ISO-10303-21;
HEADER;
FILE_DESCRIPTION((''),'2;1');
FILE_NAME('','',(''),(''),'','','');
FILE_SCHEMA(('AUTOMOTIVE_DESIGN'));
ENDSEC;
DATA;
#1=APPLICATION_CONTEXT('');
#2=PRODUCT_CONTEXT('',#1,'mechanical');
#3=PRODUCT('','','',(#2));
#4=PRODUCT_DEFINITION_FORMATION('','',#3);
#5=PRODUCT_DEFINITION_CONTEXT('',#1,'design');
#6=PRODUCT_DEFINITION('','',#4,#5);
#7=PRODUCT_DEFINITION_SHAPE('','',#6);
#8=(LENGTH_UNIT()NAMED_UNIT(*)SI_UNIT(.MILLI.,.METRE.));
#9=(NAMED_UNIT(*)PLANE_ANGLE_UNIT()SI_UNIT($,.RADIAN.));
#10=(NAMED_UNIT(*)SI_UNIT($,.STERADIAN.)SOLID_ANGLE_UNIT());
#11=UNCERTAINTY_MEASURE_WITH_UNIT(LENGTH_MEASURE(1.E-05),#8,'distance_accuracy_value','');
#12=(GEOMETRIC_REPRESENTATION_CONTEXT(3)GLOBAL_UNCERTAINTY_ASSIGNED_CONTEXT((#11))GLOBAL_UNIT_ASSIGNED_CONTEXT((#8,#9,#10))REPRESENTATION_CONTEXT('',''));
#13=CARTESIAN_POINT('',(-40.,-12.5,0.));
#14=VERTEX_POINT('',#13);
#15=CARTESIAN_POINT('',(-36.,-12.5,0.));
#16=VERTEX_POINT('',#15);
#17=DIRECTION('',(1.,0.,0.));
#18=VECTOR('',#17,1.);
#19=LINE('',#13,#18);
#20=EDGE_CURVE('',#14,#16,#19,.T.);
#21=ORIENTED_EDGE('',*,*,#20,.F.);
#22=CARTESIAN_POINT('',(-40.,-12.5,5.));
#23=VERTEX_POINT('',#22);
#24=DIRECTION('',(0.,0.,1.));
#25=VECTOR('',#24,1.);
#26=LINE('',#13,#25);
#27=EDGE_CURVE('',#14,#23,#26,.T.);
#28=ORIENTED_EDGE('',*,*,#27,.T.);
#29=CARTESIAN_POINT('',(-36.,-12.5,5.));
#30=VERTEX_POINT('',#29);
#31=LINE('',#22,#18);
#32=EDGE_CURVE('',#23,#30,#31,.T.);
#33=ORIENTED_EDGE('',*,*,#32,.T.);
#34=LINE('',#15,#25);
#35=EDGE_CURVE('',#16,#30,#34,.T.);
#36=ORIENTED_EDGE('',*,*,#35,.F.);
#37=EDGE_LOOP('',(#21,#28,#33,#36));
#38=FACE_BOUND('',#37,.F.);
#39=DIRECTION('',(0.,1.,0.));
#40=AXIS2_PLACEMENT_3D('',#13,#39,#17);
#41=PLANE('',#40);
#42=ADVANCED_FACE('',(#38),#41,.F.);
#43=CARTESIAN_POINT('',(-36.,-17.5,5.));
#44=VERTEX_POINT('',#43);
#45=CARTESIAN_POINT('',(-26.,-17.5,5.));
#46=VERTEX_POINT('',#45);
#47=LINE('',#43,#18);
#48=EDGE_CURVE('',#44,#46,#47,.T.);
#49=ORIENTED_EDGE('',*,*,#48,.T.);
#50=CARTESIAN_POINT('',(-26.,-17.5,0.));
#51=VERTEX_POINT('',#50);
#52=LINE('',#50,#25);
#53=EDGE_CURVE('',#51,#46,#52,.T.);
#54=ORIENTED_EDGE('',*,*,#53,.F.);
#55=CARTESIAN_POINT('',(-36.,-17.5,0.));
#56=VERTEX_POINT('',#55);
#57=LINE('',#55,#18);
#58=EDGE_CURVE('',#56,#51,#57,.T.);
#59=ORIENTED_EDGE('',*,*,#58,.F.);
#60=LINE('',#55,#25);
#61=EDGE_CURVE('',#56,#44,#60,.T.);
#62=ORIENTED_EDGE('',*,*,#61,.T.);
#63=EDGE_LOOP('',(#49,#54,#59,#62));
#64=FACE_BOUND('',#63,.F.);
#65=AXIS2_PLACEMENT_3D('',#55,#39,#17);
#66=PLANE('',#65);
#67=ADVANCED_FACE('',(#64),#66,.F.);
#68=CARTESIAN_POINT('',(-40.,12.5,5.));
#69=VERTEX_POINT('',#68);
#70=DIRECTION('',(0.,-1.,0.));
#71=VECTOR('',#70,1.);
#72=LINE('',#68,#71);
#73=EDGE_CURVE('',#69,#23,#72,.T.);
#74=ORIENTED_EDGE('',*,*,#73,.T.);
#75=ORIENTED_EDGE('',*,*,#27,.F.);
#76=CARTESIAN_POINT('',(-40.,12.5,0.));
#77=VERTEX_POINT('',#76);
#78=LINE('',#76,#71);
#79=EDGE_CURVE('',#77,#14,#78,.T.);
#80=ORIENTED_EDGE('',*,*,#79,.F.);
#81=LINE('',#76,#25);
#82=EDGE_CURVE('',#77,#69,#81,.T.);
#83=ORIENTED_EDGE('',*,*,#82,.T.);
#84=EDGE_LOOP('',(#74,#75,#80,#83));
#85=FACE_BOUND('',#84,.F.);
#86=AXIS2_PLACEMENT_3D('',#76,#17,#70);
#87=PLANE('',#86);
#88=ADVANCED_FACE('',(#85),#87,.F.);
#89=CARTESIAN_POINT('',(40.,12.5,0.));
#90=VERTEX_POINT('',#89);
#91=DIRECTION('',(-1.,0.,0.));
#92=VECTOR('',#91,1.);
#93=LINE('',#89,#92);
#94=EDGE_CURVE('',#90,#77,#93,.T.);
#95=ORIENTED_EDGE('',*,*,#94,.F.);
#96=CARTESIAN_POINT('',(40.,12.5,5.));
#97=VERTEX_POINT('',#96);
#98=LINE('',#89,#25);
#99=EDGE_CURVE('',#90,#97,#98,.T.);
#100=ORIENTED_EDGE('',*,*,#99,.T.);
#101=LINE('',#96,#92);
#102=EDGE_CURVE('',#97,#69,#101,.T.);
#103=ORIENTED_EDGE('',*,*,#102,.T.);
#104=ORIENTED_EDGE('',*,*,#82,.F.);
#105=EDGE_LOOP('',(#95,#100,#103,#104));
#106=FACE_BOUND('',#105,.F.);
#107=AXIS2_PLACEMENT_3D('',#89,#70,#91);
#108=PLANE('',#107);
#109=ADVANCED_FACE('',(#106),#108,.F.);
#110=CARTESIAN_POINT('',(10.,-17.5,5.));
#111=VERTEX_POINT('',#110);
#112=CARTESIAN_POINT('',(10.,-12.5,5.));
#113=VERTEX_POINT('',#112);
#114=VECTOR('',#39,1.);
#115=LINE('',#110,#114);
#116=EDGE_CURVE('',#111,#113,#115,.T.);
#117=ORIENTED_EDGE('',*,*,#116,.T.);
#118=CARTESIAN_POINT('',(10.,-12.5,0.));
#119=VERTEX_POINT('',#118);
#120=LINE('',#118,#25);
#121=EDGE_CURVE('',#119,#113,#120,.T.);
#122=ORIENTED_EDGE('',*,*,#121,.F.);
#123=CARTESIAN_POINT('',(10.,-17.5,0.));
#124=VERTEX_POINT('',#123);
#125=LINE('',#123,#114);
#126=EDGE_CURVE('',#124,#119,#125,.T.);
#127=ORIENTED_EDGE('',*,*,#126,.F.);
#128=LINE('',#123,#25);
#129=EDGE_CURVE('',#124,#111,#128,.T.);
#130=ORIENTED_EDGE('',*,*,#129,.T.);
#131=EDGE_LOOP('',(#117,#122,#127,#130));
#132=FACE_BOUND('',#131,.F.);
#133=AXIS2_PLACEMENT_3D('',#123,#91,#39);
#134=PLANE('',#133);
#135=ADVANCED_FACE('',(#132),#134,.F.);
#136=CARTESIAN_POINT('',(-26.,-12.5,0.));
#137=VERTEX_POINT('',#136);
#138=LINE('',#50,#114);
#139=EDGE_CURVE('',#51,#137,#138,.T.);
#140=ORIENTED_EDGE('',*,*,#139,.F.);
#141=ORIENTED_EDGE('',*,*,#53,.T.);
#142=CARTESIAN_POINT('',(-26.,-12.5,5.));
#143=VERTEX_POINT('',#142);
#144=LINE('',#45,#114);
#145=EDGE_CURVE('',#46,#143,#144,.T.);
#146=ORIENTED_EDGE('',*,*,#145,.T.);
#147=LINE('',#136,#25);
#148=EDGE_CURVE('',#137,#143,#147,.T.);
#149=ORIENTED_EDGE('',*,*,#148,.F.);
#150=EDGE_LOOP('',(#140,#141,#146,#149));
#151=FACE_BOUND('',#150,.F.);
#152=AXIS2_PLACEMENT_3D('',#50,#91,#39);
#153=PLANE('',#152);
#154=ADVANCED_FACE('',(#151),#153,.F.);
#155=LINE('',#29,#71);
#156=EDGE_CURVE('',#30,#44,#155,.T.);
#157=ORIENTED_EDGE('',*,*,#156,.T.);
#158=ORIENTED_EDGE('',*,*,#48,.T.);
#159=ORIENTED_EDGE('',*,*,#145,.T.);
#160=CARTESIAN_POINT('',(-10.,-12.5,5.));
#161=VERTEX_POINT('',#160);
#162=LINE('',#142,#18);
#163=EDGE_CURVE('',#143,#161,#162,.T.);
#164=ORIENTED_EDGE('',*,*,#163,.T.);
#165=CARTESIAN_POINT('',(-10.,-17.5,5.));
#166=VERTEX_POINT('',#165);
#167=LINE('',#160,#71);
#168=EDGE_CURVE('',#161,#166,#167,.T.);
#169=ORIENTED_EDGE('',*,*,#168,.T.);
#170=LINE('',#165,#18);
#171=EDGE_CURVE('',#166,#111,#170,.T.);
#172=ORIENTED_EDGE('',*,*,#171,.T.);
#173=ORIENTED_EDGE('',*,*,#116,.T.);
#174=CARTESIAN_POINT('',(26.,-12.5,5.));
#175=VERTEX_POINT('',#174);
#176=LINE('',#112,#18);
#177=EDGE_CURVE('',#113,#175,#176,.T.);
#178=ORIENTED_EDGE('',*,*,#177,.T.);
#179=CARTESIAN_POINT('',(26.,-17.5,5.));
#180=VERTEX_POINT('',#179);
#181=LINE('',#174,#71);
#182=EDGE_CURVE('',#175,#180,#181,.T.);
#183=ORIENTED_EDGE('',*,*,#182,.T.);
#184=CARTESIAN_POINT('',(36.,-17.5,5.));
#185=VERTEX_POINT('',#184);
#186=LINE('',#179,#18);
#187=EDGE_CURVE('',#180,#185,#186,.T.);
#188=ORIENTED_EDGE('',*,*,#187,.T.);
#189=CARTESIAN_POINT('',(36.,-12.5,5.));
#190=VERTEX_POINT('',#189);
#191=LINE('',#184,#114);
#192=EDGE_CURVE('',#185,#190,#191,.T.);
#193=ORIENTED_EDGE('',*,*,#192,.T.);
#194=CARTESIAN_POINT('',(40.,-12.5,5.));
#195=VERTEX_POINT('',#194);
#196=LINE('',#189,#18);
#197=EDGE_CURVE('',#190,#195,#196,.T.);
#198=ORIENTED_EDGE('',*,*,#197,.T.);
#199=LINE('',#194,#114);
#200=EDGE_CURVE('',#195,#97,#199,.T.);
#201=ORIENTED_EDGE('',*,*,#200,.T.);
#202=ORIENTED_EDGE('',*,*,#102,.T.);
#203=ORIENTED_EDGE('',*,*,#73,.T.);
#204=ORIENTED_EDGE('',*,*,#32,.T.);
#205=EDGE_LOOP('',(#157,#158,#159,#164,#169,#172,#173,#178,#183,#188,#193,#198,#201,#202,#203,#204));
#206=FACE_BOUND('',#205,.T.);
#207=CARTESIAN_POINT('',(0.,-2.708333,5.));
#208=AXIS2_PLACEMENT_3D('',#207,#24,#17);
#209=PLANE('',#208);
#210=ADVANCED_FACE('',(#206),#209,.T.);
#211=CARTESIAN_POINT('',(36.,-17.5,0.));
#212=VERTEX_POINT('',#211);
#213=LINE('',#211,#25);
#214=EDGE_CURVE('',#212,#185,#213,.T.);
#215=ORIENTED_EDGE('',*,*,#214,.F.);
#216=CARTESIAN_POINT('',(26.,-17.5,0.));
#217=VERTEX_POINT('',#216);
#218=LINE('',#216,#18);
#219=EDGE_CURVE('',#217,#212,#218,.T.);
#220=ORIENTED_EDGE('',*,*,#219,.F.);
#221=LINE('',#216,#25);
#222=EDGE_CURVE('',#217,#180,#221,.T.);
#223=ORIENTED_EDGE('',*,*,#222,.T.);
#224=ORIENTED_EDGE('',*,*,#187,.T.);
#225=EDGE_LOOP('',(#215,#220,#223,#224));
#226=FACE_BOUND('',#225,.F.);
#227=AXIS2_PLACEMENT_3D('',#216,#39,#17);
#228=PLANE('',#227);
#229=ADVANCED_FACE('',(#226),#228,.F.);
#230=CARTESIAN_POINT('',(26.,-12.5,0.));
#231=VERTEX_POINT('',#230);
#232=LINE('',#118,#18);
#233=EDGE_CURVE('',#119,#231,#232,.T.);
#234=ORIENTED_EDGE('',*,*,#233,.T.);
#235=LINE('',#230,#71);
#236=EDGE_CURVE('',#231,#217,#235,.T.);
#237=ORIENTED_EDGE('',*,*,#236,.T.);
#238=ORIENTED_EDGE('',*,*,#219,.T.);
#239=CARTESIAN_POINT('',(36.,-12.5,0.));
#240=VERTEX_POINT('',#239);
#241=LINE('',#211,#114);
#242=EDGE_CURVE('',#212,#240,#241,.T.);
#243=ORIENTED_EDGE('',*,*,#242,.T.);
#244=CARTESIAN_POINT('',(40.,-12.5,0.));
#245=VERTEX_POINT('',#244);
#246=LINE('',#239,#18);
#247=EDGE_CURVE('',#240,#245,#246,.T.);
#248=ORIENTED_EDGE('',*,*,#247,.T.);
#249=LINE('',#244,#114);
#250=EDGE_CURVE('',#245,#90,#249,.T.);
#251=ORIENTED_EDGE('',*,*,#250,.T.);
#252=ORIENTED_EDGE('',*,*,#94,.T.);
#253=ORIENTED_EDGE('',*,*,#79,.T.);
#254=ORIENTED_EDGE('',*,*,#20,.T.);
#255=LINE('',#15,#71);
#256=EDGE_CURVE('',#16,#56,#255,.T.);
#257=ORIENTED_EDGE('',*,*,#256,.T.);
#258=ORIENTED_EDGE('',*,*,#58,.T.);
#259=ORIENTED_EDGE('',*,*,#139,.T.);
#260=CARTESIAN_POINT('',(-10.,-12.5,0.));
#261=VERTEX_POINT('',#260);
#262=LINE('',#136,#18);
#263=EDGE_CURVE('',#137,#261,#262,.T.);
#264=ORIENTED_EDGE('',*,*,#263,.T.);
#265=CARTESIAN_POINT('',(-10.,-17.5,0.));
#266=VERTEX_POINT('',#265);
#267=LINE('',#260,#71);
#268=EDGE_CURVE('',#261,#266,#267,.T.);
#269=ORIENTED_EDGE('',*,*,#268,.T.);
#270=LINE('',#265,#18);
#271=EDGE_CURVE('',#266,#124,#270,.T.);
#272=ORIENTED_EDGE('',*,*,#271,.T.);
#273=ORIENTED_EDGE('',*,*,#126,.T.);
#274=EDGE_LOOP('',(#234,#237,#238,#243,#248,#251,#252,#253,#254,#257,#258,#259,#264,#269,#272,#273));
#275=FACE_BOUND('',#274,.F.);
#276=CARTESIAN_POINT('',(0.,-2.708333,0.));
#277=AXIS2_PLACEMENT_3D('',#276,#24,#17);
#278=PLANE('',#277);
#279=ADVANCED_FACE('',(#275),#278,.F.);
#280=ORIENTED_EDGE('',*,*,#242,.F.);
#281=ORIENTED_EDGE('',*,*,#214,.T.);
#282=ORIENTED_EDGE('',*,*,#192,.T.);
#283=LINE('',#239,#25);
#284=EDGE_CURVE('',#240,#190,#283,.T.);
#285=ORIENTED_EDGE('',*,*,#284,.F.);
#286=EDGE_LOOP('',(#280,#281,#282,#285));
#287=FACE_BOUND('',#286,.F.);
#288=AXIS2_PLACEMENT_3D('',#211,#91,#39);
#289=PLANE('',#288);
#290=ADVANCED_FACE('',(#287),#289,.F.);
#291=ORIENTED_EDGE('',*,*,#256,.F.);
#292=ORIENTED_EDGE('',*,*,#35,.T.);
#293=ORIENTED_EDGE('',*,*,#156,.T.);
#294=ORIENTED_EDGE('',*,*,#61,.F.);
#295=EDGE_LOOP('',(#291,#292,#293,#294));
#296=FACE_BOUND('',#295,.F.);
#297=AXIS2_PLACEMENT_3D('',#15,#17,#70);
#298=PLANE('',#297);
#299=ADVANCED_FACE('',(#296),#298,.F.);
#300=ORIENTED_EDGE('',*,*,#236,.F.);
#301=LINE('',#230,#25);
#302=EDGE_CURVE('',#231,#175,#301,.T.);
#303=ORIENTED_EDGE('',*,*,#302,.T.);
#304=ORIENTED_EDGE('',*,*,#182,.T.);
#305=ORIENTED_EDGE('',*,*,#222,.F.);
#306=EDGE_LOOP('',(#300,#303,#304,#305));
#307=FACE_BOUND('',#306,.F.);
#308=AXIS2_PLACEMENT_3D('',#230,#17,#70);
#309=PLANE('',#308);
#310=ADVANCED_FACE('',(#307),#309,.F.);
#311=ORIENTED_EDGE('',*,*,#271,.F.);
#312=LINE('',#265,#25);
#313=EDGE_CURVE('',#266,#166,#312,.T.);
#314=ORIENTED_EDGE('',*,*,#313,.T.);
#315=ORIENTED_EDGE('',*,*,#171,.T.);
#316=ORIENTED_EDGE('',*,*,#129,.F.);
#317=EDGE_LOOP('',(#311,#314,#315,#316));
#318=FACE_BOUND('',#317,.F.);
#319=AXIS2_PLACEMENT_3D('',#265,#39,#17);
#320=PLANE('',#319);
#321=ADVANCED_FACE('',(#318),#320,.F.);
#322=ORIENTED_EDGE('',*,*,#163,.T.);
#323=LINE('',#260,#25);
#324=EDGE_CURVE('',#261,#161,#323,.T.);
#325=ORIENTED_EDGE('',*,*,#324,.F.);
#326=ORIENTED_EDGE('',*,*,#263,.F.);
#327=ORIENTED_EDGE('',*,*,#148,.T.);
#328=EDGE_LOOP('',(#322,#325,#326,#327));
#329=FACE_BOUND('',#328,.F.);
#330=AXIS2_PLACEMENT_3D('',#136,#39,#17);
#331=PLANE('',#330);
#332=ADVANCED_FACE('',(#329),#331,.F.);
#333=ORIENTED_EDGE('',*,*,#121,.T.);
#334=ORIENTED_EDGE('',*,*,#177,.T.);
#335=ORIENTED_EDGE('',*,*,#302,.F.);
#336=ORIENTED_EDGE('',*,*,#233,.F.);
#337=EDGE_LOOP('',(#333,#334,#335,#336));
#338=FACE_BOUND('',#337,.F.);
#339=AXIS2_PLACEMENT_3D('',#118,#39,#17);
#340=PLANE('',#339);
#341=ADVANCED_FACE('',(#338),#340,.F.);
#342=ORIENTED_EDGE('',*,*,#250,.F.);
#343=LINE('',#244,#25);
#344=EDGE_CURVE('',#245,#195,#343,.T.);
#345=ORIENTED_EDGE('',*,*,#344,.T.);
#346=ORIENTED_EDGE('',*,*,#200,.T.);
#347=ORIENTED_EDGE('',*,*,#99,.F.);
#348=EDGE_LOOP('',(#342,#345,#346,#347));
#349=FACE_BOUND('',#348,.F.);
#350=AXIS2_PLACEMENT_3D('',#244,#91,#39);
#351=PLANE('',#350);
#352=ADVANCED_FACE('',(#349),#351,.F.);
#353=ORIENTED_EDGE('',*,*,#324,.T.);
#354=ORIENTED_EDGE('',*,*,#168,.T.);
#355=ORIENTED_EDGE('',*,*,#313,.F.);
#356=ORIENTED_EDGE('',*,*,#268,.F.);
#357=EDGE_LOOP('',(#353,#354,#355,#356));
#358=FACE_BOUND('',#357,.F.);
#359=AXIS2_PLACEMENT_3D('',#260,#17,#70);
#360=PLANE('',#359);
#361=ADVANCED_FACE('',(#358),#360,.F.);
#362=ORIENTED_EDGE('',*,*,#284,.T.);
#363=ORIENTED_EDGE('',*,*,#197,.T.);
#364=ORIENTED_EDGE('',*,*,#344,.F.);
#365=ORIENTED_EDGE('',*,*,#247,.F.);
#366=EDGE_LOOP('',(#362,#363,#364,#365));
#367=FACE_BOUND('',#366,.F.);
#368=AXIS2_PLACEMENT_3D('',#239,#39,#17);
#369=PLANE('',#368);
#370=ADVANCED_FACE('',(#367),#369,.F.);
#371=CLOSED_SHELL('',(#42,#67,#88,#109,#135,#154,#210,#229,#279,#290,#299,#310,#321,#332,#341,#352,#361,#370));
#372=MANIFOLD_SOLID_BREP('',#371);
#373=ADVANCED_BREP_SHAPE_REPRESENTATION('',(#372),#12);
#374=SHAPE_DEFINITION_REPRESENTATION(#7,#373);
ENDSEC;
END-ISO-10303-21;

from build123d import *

# Parameters (mm, degrees)
F1_DEPTH = 5


with BuildPart() as f1:
    # F0 (on Top) → F1 (new body)
    with BuildSketch(Plane.XY):
        Polygon((36, -12.5), (40, -12.5), (40, 12.5), (-40, 12.5), (-40, -12.5), (-36, -12.5), (-36, -17.5), (-26, -17.5), (-26, -12.5), (-10, -12.5), (-10, -17.5), (10, -17.5), (10, -12.5), (26, -12.5), (26, -17.5), (36, -17.5), align=None)
    extrude(amount=F1_DEPTH)


solid = f1.part
